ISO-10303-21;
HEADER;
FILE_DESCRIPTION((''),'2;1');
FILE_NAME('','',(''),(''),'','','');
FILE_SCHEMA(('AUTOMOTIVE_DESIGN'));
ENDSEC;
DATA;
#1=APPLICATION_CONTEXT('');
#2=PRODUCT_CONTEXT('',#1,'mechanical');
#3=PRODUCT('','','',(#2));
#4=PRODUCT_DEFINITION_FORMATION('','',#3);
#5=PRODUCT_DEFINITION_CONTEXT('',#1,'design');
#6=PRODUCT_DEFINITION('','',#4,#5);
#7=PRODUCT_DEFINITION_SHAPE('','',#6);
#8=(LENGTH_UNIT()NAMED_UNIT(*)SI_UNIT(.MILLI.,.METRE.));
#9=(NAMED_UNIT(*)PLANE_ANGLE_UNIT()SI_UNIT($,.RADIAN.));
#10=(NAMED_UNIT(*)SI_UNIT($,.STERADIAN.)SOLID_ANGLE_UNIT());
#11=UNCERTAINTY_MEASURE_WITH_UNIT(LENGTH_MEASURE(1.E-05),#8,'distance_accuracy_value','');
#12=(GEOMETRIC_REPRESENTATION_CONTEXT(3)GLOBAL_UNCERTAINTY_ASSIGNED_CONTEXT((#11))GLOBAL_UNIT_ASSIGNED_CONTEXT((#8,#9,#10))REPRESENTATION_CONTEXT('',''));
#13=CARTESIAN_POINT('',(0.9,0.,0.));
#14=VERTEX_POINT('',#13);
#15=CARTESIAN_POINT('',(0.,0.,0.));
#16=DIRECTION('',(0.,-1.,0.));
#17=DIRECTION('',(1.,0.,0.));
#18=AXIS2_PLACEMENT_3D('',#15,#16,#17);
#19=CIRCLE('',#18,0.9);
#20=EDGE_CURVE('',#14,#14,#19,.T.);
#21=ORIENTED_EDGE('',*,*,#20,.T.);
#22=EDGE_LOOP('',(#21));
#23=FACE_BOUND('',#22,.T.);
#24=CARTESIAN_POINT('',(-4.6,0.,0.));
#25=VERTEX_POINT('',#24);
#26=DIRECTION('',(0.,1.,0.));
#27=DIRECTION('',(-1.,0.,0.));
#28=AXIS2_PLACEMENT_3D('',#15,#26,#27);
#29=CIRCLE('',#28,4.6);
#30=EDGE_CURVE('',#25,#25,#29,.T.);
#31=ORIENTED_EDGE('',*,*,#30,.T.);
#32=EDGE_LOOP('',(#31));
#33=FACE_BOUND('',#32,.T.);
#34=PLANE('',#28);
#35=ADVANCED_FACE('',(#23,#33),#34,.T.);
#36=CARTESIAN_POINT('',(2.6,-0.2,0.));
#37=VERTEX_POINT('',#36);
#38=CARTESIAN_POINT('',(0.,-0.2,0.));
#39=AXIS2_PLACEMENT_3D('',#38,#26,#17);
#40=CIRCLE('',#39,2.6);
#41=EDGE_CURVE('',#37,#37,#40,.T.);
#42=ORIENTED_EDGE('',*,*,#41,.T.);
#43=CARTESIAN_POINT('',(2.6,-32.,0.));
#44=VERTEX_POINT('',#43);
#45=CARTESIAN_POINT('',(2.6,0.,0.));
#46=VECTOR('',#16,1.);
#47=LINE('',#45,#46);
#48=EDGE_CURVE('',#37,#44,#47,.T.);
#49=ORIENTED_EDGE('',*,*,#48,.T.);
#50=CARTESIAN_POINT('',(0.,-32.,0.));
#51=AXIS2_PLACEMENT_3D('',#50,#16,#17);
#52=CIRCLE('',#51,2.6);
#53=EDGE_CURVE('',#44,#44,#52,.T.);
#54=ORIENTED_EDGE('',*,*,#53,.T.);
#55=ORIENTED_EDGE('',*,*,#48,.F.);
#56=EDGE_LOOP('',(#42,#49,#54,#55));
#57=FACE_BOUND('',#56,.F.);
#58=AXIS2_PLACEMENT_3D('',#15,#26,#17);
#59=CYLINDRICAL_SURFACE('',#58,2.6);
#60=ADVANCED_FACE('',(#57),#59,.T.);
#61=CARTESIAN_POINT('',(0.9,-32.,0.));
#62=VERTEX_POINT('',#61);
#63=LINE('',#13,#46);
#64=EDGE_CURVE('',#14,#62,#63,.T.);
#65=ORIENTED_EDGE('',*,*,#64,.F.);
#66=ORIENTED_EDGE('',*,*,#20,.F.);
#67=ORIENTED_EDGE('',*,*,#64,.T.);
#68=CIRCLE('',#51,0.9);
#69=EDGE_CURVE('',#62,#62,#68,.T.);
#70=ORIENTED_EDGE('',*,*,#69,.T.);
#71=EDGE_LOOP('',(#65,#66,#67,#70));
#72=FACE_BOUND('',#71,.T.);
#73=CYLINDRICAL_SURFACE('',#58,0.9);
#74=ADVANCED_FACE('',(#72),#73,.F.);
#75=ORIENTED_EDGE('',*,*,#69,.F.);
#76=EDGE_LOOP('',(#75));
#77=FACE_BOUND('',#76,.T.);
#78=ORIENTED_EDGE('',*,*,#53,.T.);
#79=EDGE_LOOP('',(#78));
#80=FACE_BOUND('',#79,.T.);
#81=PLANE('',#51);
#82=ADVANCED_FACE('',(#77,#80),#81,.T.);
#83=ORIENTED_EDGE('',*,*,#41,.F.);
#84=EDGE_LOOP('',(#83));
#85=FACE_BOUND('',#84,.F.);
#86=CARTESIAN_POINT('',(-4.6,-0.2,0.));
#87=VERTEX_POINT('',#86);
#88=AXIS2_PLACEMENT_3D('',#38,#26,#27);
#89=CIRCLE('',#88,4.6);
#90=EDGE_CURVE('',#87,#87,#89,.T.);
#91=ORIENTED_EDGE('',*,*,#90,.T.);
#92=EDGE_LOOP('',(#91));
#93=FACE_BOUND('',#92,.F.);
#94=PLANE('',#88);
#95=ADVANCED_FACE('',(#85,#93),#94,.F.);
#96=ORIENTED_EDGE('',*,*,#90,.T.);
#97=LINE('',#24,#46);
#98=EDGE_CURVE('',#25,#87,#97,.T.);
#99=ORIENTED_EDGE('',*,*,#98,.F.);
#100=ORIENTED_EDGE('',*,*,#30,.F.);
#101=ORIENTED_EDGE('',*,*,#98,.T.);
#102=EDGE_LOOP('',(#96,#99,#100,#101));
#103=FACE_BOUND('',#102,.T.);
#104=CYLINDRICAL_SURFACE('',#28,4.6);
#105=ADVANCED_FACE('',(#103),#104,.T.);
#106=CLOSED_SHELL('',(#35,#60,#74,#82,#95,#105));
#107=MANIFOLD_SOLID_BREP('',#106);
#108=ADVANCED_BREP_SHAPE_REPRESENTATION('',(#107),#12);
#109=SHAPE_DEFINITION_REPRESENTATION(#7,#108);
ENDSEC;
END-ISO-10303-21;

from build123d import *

# Parameters (mm, degrees)
F0_R     = 2.6
F0_R_2   = 0.9
F1_DEPTH = 32
F2_R     = 4.6
F2_R_2   = 2.6
F3_DEPTH = 0.2


with BuildPart() as f1:
    # F0 (on Front) → F1 (new body)
    with BuildSketch(Plane.XZ):
        Circle(F0_R)
        Circle(F0_R_2, mode=Mode.SUBTRACT)
    extrude(amount=F1_DEPTH)

    # F2 (on face) → F3 (join)
    with BuildSketch(Plane(origin=(0, 0, 0), x_dir=(-1, 0, 0), z_dir=(0, 1, 0))):
        Circle(F2_R)
        Circle(F2_R_2, mode=Mode.SUBTRACT)
    extrude(amount=-F3_DEPTH)


solid = f1.part
